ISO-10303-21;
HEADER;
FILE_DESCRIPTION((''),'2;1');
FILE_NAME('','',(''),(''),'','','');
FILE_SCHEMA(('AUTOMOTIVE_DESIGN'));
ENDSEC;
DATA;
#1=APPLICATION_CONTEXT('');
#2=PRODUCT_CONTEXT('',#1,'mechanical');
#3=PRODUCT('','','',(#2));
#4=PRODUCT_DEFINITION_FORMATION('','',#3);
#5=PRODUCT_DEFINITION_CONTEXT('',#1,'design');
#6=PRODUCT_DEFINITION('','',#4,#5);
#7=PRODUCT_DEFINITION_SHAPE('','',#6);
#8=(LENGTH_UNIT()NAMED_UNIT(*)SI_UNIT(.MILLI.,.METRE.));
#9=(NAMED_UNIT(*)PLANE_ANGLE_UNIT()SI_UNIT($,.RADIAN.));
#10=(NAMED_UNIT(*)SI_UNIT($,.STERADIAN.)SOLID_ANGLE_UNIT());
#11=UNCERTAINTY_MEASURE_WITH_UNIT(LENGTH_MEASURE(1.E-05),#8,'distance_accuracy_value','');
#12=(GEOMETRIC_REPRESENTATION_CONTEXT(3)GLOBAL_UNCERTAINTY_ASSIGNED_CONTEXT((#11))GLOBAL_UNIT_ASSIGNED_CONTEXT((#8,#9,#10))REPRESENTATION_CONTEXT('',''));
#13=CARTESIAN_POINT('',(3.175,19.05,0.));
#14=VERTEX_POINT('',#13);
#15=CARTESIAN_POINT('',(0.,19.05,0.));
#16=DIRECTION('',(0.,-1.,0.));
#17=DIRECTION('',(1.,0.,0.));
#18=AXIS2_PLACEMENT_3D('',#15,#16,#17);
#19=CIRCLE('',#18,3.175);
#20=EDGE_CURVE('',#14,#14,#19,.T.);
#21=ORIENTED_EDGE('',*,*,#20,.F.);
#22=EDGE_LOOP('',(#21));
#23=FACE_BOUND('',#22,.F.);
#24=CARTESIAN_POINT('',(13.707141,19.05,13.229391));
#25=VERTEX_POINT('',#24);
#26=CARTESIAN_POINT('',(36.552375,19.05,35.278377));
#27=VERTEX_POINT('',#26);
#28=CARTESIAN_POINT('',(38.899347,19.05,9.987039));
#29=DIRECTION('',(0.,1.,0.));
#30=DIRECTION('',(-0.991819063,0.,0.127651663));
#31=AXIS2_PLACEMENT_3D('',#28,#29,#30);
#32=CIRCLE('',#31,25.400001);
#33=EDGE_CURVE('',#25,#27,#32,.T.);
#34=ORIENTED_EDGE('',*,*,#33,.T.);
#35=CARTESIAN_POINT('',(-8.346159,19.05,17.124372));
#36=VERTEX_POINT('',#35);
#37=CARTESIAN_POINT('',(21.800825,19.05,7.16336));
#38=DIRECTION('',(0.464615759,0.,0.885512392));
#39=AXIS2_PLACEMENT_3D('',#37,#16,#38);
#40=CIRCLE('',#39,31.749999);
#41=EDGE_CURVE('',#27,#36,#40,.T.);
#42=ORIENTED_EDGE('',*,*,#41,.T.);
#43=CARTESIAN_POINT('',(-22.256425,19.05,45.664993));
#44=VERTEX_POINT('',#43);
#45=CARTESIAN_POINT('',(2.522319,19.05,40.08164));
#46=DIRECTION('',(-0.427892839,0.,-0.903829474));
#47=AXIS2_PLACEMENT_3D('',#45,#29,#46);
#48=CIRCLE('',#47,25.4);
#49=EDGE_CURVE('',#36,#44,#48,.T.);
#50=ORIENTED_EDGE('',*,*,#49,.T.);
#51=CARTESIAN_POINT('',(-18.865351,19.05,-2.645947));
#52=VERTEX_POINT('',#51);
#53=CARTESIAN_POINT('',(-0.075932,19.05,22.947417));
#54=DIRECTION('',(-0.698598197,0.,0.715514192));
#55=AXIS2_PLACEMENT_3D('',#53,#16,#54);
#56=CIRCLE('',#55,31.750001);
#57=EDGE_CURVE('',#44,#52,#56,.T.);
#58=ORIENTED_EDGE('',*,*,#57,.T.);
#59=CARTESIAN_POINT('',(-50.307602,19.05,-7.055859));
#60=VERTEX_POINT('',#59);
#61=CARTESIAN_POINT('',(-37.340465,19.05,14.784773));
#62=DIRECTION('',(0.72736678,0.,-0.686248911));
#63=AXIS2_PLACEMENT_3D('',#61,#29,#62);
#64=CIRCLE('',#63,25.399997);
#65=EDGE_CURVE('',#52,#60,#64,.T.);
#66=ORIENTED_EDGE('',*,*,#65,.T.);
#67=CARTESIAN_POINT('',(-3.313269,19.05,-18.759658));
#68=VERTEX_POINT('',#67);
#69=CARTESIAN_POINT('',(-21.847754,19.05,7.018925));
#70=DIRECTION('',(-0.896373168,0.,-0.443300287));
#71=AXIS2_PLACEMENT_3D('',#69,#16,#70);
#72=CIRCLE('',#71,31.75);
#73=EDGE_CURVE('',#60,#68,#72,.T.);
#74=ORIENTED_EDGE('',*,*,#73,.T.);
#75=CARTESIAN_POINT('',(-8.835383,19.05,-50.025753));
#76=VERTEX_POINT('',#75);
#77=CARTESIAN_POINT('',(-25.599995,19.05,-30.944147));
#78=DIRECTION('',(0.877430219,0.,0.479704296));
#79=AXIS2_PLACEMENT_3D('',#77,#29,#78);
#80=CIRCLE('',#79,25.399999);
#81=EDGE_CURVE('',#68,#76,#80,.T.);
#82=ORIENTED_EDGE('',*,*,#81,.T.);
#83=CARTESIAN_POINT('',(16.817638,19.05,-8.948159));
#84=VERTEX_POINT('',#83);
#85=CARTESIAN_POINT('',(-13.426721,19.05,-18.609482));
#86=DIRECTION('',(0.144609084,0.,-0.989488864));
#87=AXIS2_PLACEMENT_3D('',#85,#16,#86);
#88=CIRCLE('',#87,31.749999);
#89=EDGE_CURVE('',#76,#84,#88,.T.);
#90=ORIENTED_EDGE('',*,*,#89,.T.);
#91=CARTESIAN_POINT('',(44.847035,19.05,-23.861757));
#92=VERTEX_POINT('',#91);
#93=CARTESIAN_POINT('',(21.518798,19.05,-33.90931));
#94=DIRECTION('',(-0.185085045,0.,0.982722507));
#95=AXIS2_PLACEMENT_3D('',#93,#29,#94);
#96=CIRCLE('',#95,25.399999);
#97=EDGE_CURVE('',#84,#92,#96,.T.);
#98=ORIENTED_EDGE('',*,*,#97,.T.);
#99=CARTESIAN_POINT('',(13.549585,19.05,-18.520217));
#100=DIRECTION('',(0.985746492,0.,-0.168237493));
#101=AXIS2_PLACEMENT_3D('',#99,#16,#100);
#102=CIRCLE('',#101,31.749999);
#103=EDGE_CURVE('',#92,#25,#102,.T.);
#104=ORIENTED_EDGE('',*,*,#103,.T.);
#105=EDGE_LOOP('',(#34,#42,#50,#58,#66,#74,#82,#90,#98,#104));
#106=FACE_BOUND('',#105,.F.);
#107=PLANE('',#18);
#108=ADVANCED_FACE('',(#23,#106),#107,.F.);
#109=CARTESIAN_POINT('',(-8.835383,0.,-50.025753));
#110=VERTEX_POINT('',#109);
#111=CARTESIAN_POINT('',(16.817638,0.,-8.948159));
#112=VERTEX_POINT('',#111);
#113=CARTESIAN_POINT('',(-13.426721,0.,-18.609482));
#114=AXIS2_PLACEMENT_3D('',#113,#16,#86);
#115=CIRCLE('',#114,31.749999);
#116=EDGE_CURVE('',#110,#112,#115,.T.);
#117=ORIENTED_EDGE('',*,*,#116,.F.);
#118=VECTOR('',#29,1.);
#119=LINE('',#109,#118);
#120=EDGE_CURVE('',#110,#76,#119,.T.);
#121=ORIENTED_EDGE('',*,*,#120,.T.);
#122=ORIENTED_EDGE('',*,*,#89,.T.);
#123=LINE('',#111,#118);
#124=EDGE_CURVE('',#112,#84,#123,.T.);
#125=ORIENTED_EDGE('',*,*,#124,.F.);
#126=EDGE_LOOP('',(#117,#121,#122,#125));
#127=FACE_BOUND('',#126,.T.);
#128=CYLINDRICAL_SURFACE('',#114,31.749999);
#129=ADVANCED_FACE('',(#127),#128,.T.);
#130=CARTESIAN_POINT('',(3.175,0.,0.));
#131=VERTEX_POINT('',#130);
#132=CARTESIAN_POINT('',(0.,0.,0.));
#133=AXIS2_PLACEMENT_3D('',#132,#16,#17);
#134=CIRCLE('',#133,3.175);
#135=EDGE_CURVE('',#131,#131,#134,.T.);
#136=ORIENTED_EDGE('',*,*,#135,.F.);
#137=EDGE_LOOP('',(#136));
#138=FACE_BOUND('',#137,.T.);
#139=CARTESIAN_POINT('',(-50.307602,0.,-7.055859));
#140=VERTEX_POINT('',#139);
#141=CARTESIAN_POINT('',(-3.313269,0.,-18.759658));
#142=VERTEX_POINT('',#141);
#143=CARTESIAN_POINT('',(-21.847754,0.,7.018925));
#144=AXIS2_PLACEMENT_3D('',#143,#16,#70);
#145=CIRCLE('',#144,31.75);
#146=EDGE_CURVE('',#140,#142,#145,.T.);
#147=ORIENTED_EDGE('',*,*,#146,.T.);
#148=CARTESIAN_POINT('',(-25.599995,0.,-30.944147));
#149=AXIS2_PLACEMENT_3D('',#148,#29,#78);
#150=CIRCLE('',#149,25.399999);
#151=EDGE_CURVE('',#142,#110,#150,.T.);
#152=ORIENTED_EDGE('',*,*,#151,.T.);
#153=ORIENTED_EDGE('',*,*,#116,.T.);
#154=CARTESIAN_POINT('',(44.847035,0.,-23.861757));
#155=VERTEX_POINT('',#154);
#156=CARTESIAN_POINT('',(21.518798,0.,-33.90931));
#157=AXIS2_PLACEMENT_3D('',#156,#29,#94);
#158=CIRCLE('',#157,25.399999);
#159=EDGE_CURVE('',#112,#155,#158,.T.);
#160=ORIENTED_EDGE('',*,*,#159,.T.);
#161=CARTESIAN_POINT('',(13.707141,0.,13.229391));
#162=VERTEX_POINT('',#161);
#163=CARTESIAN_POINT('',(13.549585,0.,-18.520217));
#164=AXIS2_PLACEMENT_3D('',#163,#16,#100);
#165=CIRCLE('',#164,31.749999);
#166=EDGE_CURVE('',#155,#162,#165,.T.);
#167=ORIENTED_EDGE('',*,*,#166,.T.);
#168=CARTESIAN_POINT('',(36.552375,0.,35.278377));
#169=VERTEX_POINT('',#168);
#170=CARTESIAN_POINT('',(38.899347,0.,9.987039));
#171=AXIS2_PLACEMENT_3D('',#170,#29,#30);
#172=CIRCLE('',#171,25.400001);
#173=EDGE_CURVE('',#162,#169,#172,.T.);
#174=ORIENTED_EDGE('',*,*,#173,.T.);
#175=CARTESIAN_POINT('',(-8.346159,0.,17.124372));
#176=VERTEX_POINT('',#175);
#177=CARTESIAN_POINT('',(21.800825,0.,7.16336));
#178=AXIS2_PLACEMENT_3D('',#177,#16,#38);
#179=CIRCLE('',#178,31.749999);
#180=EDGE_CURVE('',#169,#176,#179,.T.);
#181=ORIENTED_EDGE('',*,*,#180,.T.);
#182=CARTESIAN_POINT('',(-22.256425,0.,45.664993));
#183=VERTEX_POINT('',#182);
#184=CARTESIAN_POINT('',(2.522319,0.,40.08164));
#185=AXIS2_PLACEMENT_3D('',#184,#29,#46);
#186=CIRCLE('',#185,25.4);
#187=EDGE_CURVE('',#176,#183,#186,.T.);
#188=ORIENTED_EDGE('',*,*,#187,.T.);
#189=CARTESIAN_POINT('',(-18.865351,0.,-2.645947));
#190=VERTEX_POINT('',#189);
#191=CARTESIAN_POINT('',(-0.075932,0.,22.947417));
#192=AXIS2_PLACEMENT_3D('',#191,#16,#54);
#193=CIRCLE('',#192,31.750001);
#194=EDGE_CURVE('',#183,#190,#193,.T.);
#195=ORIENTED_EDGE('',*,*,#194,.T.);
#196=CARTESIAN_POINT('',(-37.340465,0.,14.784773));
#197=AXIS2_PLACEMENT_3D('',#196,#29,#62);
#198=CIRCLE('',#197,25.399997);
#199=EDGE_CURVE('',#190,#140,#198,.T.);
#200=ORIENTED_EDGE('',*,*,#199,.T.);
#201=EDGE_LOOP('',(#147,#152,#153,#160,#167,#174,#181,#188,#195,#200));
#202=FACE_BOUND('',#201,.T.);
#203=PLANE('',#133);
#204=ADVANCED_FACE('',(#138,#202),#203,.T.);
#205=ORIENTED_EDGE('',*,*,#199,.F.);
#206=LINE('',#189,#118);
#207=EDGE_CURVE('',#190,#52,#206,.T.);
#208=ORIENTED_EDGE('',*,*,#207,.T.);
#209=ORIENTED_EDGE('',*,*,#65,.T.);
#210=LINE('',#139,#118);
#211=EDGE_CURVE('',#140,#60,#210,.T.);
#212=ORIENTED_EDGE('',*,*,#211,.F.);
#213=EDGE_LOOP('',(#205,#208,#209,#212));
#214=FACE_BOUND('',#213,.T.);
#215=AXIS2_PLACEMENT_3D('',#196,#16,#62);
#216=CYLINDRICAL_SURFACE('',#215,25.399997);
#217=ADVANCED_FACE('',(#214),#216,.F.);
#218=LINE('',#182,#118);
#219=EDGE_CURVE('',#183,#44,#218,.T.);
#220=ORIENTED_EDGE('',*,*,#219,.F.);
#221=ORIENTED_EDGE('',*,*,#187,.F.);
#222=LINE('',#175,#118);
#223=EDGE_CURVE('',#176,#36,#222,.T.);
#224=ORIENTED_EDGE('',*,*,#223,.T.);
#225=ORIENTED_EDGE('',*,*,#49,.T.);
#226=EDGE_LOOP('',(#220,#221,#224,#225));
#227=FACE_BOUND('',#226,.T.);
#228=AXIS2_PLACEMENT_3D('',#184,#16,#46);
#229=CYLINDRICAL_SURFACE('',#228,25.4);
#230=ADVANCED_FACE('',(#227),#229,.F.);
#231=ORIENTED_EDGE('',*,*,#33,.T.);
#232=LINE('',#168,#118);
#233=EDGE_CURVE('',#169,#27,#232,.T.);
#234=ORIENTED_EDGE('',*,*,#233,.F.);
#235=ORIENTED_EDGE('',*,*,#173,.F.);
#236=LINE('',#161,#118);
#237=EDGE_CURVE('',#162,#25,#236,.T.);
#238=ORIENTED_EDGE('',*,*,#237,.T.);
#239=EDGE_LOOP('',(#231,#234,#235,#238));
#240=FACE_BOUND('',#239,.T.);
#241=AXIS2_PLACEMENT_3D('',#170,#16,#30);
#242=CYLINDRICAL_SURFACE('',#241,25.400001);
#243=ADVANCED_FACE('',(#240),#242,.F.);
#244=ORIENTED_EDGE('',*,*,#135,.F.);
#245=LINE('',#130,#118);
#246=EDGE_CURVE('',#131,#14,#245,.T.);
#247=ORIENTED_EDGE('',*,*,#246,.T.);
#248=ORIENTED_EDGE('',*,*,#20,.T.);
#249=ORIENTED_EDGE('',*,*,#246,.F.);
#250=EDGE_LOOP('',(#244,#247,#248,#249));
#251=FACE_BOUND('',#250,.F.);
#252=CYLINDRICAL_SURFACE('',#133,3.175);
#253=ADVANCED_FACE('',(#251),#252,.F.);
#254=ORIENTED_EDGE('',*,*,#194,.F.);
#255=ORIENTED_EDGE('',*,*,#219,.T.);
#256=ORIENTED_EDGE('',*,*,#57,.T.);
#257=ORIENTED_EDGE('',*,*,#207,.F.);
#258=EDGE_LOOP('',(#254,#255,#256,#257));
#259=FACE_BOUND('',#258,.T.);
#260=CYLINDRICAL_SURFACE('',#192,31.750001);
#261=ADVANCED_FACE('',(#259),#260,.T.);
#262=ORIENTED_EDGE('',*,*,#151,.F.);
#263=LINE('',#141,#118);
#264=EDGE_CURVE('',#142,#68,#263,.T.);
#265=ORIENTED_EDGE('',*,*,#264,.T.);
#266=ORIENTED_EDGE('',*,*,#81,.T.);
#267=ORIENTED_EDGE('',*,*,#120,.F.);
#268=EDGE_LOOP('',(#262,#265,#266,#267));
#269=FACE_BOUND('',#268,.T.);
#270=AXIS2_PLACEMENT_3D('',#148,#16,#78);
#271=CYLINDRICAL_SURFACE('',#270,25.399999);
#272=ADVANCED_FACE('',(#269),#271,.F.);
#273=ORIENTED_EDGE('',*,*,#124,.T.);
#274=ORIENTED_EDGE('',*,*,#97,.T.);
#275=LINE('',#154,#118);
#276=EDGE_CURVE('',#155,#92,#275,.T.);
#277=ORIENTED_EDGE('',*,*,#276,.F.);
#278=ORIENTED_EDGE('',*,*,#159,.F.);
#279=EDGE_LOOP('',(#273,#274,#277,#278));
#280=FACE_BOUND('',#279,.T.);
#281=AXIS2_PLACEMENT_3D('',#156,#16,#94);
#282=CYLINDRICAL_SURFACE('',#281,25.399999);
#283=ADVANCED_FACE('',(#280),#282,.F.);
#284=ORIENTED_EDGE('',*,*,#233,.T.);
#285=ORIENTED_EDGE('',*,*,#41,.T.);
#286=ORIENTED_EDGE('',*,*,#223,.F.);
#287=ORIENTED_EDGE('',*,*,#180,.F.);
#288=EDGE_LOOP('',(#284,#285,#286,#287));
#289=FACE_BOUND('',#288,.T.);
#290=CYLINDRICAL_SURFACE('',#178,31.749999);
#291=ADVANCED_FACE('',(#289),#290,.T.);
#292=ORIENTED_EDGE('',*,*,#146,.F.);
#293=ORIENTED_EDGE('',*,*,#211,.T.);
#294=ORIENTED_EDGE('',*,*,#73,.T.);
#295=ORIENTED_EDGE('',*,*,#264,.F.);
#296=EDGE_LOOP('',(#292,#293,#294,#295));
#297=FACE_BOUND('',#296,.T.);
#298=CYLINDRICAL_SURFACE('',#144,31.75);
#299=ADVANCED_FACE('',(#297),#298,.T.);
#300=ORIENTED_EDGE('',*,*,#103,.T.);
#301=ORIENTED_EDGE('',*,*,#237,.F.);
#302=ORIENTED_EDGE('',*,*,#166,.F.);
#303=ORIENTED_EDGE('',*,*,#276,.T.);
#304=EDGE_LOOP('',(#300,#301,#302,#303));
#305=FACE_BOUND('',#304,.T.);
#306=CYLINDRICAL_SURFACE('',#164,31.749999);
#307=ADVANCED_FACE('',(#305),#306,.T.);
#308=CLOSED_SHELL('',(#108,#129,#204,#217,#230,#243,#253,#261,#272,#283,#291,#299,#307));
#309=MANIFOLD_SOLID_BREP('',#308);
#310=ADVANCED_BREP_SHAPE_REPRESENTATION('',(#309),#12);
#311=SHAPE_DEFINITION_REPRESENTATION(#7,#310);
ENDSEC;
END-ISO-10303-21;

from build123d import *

# Parameters (mm, degrees)
F0_R     = 3.175
F1_DEPTH = 19.05


with BuildPart() as f1:
    # F0 (on Front) → F1 (new body)
    with BuildSketch(Plane.XZ):
        with BuildLine():
            ThreePointArc((16.817638, -8.948159), (33.449676, -11.485793), (44.847035, -23.861757))
            ThreePointArc((44.847035, -23.861757), (37.866095, 1.894723), (13.707141, 13.229391))
            ThreePointArc((13.707141, 13.229391), (21.260157, 28.263227), (36.552375, 35.278377))
            ThreePointArc((36.552375, 35.278377), (9.899278, 36.598298), (-8.346159, 17.124372))
            ThreePointArc((-8.346159, 17.124372), (-20.310177, 28.953428), (-22.256425, 45.664993))
            ThreePointArc((-22.256425, 45.664993), (-31.748004, 20.724269), (-18.865351, -2.645947))
            ThreePointArc((-18.865351, -2.645947), (-33.812536, -10.369025), (-50.307602, -7.055859))
            ThreePointArc((-50.307602, -7.055859), (-29.520624, -23.789995), (-3.313269, -18.759658))
            ThreePointArc((-3.313269, -18.759658), (-0.58712, -35.361838), (-8.835383, -50.025753))
            ThreePointArc((-8.835383, -50.025753), (13.503255, -35.427295), (16.817638, -8.948159))
        make_face()
        Circle(F0_R, mode=Mode.SUBTRACT)
    extrude(amount=-F1_DEPTH)


solid = f1.part
